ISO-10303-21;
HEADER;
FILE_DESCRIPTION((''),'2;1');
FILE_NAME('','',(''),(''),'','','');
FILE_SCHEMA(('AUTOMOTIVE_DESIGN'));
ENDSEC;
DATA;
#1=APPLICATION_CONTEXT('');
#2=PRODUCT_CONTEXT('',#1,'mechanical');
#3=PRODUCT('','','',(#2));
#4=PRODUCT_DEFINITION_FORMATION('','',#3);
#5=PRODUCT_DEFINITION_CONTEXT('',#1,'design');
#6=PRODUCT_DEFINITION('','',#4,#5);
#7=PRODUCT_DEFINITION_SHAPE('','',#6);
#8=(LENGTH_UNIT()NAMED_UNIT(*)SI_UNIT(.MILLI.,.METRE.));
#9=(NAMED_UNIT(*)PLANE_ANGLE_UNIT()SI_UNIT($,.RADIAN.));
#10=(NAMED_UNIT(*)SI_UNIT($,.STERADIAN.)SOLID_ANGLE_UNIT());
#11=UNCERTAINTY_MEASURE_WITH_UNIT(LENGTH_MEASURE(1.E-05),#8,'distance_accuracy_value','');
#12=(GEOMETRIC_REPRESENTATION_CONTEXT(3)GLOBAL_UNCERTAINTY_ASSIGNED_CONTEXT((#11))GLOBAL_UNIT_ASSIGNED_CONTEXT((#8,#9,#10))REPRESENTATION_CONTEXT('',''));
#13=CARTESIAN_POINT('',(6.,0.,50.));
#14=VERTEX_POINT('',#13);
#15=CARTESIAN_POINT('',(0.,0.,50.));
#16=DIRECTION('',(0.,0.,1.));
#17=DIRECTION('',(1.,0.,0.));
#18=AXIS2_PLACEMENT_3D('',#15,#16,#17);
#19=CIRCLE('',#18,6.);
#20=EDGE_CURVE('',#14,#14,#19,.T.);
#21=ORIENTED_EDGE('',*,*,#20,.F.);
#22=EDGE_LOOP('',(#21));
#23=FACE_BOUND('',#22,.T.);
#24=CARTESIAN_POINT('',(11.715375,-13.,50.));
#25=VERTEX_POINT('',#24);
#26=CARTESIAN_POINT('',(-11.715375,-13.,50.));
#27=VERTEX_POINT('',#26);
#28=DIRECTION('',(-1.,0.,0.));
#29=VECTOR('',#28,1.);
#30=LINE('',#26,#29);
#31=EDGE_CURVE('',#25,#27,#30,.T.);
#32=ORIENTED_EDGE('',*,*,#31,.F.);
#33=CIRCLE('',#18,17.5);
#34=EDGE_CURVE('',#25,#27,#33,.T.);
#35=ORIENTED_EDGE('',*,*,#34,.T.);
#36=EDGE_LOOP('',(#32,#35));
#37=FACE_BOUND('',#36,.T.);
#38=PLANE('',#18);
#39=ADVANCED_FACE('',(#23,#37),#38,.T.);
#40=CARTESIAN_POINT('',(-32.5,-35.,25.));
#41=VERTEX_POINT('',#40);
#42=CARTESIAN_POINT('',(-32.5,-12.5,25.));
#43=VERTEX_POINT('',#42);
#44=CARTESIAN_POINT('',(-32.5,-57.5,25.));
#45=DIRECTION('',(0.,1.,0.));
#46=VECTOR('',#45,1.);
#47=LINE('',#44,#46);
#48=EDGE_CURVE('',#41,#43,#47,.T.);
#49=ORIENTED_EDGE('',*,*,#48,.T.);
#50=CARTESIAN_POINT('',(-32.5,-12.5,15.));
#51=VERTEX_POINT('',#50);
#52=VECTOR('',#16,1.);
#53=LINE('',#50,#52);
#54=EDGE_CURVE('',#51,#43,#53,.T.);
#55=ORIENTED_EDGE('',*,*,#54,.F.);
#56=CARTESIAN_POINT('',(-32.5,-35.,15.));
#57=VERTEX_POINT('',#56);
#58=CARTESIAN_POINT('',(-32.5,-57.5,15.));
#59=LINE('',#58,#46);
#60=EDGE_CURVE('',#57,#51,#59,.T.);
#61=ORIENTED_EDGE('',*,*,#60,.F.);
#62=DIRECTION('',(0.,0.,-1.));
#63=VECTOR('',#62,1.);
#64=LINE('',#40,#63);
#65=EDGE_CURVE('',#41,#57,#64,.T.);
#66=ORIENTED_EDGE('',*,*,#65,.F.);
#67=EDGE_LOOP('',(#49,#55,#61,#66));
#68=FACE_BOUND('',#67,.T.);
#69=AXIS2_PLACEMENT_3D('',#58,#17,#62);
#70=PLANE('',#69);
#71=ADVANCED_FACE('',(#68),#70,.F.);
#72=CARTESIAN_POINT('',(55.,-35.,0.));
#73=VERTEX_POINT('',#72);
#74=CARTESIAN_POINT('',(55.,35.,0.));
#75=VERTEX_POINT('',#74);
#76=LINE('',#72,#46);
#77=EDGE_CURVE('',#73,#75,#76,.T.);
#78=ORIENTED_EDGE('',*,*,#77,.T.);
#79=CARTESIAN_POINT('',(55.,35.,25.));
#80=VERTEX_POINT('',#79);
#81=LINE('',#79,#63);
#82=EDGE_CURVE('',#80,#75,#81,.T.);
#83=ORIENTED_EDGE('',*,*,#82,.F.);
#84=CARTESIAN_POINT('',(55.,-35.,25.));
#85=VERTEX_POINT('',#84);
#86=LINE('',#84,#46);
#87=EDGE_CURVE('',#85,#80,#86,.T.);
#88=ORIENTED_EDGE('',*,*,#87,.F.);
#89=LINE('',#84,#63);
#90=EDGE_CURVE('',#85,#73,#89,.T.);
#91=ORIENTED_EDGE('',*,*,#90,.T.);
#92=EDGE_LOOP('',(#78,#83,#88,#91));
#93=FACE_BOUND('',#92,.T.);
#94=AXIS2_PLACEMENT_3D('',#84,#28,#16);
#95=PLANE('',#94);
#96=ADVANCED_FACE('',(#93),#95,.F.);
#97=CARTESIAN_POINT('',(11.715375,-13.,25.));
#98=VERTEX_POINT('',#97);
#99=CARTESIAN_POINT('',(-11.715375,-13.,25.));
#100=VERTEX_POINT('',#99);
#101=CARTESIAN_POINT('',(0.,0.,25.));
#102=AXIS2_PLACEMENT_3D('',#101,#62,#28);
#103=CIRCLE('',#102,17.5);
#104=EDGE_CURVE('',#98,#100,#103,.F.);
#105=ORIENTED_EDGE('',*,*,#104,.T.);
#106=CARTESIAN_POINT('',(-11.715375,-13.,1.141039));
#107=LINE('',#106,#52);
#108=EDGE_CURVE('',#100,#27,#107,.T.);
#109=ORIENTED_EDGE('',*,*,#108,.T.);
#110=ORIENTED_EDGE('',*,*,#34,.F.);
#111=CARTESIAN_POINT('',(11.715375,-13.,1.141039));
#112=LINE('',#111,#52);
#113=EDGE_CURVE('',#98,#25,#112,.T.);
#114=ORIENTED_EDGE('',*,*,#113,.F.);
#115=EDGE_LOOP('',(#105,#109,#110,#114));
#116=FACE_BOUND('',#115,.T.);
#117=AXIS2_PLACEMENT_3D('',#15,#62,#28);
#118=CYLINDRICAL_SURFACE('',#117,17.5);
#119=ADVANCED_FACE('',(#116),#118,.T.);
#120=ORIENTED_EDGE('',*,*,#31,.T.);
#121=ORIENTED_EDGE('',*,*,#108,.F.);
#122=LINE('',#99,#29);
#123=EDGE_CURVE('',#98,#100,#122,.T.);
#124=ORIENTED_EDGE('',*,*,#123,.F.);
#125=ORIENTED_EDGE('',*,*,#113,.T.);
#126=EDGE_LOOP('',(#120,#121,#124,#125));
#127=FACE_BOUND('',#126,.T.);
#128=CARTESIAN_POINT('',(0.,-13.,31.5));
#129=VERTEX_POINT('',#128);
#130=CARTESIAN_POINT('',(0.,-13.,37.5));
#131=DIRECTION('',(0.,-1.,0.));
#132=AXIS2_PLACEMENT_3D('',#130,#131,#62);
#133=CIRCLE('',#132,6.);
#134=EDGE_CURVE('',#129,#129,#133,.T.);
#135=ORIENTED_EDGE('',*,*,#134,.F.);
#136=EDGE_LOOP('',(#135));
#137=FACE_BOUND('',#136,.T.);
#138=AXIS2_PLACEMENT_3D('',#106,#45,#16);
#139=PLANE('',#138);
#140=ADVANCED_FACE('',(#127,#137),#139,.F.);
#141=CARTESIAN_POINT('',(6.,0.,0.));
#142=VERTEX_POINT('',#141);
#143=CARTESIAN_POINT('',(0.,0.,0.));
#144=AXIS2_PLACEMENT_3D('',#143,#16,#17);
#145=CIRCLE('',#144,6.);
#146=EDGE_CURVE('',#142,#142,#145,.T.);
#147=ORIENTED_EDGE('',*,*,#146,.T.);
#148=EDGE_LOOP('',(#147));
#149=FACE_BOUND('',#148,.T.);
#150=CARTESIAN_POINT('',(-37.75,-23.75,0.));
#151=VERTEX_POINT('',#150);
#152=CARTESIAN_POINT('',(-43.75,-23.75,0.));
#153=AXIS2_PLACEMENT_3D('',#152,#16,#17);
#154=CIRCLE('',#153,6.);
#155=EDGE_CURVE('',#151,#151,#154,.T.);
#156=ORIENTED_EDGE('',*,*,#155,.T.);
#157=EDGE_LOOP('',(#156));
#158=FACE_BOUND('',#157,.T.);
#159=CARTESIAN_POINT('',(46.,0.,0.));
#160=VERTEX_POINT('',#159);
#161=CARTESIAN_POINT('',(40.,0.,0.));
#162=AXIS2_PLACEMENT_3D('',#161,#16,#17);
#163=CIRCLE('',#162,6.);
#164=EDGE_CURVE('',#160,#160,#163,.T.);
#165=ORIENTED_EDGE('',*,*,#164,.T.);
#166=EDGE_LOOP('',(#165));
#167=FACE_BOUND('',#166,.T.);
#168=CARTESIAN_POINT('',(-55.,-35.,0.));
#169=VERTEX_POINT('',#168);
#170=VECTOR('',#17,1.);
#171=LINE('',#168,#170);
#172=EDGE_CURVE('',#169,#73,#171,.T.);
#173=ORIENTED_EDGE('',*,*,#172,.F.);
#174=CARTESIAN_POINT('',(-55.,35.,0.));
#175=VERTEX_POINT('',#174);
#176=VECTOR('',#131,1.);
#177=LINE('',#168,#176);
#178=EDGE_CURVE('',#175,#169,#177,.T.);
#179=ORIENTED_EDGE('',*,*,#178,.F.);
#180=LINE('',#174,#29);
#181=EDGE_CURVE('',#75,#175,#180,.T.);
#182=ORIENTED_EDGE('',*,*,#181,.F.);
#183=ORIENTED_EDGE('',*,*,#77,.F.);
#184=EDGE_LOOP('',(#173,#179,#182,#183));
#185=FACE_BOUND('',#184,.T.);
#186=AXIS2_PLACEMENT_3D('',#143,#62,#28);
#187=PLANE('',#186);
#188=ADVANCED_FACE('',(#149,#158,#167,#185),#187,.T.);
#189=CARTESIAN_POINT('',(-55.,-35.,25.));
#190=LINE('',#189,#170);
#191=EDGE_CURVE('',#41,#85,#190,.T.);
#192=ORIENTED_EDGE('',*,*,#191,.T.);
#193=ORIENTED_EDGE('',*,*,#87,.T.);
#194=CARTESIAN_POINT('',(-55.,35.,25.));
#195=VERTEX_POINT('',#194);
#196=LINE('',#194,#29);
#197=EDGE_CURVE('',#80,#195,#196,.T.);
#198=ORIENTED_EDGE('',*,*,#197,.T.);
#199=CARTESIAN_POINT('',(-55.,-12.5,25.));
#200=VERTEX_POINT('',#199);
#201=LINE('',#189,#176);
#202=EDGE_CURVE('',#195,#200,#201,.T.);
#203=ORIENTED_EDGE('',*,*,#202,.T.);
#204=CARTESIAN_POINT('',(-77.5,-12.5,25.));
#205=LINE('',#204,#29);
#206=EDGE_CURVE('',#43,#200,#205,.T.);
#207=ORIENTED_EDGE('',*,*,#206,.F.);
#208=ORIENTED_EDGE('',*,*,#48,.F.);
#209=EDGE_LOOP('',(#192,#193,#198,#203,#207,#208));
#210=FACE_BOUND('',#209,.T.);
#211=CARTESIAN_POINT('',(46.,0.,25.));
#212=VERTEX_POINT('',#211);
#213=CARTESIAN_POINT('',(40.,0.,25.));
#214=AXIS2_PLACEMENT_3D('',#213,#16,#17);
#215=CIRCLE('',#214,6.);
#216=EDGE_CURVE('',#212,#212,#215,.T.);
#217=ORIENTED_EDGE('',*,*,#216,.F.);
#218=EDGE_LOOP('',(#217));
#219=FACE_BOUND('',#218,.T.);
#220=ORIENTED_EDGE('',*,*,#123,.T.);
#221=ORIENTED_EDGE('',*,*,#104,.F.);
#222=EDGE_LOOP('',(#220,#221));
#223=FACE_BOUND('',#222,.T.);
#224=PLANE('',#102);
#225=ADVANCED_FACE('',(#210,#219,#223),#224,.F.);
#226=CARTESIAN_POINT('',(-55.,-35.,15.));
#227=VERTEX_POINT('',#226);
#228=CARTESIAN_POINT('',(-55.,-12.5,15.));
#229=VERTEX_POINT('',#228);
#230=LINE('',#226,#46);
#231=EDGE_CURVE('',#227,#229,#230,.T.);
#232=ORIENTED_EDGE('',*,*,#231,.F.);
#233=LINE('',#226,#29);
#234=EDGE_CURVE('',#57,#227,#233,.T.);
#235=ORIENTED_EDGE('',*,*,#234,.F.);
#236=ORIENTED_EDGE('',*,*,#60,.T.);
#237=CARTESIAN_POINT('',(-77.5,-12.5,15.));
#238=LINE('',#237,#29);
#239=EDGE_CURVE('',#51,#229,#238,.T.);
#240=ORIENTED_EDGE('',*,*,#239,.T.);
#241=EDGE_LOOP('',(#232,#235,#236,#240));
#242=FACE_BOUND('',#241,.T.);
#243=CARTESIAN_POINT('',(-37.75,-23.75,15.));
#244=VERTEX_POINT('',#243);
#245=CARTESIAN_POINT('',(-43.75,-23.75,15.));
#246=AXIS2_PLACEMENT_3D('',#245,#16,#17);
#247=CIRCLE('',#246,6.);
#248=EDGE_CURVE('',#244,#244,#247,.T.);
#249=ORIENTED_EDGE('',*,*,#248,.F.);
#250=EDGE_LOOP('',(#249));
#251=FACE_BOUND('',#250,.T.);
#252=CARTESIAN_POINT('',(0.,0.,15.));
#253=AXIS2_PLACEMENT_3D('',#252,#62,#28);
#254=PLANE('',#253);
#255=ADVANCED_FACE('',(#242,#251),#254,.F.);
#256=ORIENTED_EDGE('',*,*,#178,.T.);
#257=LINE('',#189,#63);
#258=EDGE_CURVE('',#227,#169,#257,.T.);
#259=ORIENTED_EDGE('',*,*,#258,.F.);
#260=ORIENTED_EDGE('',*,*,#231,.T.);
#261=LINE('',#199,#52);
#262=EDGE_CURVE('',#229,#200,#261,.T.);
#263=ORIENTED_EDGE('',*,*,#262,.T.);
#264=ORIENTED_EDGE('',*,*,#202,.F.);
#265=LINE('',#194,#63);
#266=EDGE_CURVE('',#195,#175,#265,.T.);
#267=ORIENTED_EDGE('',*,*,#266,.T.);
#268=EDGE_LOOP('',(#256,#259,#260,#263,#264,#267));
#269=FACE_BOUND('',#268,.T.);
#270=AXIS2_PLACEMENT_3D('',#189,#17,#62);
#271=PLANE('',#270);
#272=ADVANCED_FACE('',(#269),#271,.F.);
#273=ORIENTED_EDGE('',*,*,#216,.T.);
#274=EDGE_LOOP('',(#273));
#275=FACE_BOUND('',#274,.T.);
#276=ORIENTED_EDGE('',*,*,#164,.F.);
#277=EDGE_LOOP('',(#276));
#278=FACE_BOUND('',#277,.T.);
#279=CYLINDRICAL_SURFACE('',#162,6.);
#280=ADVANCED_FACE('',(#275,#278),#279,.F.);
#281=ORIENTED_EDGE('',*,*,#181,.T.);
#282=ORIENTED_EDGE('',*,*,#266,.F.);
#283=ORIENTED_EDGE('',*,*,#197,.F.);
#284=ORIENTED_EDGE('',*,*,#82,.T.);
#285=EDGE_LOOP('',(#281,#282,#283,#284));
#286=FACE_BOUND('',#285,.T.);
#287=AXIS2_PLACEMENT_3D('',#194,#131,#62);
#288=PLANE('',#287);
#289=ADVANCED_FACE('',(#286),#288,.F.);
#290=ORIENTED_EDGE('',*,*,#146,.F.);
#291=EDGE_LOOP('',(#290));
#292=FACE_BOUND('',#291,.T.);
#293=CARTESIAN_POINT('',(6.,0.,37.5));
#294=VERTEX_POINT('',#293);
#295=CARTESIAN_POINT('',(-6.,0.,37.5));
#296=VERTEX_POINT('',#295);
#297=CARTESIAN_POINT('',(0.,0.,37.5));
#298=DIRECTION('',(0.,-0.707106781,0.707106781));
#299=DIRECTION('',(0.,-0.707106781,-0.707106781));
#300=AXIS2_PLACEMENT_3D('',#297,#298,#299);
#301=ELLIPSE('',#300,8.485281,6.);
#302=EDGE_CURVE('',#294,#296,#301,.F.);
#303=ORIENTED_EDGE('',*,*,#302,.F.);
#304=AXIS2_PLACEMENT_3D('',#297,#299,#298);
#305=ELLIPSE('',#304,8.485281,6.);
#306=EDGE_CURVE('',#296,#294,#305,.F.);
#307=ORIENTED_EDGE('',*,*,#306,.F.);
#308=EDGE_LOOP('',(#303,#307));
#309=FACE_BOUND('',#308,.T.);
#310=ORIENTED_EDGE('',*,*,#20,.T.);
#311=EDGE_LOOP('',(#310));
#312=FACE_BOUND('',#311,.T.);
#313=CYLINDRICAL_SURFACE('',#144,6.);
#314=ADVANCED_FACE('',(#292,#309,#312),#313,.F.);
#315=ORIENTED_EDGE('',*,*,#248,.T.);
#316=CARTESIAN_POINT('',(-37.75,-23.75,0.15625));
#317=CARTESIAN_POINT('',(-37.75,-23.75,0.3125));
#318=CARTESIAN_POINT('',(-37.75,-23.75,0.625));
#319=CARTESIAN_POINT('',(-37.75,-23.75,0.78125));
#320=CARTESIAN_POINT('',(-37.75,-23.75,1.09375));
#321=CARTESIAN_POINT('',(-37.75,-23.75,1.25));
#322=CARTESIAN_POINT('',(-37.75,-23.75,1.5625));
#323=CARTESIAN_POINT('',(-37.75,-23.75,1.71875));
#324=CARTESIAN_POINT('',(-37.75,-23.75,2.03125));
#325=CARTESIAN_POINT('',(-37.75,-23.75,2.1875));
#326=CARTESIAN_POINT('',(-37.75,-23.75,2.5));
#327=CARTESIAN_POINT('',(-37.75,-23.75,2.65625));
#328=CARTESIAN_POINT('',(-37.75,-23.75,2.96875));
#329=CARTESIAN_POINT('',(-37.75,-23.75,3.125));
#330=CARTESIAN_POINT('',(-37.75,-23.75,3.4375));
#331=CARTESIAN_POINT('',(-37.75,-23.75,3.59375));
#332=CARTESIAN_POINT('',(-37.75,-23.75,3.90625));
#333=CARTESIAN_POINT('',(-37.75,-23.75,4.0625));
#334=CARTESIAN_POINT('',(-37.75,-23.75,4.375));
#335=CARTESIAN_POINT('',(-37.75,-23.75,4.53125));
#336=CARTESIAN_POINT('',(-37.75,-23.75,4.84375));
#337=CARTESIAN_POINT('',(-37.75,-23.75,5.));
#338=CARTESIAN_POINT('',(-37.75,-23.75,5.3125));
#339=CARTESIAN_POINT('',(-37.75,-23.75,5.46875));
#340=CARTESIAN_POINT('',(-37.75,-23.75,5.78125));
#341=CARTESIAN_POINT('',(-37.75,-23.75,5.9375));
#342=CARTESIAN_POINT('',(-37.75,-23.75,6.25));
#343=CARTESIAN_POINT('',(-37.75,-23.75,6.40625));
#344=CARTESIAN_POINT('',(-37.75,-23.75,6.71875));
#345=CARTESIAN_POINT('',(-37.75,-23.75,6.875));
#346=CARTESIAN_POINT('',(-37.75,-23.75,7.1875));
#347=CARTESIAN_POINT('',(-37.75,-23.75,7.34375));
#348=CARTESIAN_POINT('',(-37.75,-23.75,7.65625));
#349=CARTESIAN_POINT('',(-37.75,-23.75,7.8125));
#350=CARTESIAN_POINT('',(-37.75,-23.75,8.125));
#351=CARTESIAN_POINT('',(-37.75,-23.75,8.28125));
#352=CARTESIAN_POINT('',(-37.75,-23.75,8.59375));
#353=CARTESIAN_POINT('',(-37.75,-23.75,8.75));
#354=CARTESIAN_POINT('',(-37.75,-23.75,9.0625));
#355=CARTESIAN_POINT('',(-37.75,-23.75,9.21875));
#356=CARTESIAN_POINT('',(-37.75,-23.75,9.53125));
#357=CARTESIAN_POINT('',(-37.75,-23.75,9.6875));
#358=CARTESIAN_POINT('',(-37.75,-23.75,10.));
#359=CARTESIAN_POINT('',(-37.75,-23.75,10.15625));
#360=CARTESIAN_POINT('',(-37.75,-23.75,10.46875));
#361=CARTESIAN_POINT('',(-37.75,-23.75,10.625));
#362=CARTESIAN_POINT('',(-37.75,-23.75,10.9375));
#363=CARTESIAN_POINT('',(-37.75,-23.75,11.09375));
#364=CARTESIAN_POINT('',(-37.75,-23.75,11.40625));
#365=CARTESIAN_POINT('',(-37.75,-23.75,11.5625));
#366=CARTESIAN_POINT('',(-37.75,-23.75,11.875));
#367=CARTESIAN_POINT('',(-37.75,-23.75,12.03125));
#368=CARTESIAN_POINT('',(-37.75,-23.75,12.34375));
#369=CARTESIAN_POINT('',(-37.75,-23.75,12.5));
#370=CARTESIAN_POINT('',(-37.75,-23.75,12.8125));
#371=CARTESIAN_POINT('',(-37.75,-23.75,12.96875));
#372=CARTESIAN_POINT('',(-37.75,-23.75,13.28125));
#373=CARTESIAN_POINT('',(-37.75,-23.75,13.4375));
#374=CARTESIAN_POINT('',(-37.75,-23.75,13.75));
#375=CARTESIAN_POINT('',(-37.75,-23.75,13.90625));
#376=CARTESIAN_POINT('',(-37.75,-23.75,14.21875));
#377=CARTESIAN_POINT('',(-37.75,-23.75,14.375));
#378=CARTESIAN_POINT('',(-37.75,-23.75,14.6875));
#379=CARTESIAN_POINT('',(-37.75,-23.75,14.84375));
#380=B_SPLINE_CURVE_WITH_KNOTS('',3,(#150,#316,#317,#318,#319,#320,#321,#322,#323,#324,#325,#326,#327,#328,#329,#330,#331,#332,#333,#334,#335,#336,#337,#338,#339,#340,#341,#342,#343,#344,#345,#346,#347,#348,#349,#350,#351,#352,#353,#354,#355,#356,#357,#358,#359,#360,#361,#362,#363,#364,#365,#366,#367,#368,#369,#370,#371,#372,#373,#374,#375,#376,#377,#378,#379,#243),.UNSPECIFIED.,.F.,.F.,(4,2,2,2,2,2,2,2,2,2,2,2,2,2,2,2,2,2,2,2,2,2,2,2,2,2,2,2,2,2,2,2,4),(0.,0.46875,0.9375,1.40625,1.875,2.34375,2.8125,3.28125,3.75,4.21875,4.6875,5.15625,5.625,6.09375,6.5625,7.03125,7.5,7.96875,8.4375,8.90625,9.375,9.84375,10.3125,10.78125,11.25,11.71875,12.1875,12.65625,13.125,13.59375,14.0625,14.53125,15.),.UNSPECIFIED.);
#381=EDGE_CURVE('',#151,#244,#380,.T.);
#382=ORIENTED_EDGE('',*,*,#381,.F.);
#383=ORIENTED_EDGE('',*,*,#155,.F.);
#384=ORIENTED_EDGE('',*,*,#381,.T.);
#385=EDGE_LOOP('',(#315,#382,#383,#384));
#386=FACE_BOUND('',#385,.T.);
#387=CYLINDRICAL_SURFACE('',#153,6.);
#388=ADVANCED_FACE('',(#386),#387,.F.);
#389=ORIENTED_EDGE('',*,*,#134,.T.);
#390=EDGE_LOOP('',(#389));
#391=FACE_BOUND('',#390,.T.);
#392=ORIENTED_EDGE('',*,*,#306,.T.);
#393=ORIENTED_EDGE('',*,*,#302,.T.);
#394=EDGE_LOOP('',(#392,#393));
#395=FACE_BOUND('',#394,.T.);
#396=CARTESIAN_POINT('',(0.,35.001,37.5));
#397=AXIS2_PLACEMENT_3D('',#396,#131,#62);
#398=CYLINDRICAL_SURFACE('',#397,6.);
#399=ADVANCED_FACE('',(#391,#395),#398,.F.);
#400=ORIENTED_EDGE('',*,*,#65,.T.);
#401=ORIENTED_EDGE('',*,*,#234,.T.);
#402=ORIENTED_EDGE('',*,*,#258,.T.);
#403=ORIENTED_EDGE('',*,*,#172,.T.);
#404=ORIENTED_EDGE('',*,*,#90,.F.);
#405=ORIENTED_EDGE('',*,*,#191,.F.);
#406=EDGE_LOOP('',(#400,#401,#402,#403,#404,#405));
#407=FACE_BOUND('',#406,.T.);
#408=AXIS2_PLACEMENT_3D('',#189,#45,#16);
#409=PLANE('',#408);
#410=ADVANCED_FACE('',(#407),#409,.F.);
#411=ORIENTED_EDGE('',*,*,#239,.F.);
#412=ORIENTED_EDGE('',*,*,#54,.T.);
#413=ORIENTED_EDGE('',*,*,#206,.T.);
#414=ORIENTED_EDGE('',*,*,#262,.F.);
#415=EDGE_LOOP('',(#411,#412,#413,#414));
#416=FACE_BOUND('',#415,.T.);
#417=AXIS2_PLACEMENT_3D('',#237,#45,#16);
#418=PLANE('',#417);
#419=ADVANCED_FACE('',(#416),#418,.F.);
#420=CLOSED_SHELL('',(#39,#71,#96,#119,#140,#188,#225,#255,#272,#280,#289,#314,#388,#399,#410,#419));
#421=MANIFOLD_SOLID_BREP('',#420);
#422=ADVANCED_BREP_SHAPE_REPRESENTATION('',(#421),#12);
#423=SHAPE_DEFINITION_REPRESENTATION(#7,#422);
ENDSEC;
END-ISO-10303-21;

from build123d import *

# Parameters (mm, degrees)
SKETCH_1_W               = 110
SKETCH_1_H               = 70
EXTRUDE_1_DEPTH          = 25
SKETCH_2_R               = 17.5
EXTRUDE_2_DEPTH          = 25
SKETCH_3_R               = 6
CUT_EXTRUDE_1_DEPTH      = 83.158383626
SKETCH_5_W               = 45
SKETCH_5_H               = 45
CUT_EXTRUDE_3_DEPTH      = 10
SKETCH_6_R               = 6
CUT_EXTRUDE_4_DEPTH      = 74.993242935
SKETCH_7_R               = 6
CUT_EXTRUDE_5_DEPTH      = 70.821200219
CUT_EXTRUDE_START        = -25
CUT_EXTRUDE_6_DEPTH      = 25
CUT_EXTRUDE_7_REACH      = 90.482
CUT_EXTRUDE_7_END_RADIUS = 6
SKETCH_9_R               = 6


with BuildPart() as part:
    # Эскиз1 → Бобышка-Вытянуть1 (new body)
    with BuildSketch(Plane.XY):
        Rectangle(SKETCH_1_W, SKETCH_1_H)
    extrude(amount=EXTRUDE_1_DEPTH)

    # Эскиз2 → Бобышка-Вытянуть2 (add)
    with BuildSketch(Plane.XY.offset(25)):
        with Locations(Location((0, 0, 0), (0, 0, 180))):
            Circle(SKETCH_2_R)
    extrude(amount=EXTRUDE_2_DEPTH)

    # Эскиз3 → Вырез-Вытянуть1 (cut, through all)
    with BuildSketch(Plane.XY.offset(50)):
        Circle(SKETCH_3_R)
    extrude(amount=-CUT_EXTRUDE_1_DEPTH, mode=Mode.SUBTRACT)

    # Эскиз5 → Вырез-Вытянуть3 (cut)
    with BuildSketch(Plane.XY.offset(25)):
        with Locations((-55, -35)):
            Rectangle(SKETCH_5_W, SKETCH_5_H)
    extrude(amount=-CUT_EXTRUDE_3_DEPTH, mode=Mode.SUBTRACT)

    # Эскиз6 → Вырез-Вытянуть4 (cut, through all)
    with BuildSketch(Plane.XY.offset(15)):
        with Locations((-43.75, -23.75)):
            Circle(SKETCH_6_R)
    extrude(amount=-CUT_EXTRUDE_4_DEPTH, mode=Mode.SUBTRACT)

    # Эскиз7 → Вырез-Вытянуть5 (cut, through all)
    with BuildSketch(Plane.XY.offset(25)):
        with Locations((40, 0)):
            Circle(SKETCH_7_R)
    extrude(amount=-CUT_EXTRUDE_5_DEPTH, mode=Mode.SUBTRACT)

    # Эскиз8 → Вырез-Вытянуть6 (cut)
    with BuildSketch(Plane.XY.offset(50).offset(CUT_EXTRUDE_START)):
        with BuildLine():
            Line((-11.715374514, -13), (11.715374514, -13))
            ThreePointArc((11.715374514, -13), (0, -17.5), (-11.715374514, -13))
        make_face()
    extrude(amount=CUT_EXTRUDE_6_DEPTH, mode=Mode.SUBTRACT)

    # Вырез-Вытянуть7: up to this cylinder (the profile starts outside it)
    cut_extrude_7_end = Plane(origin=(0, 0, 37.5), z_dir=(0, 0, 1)) * Cylinder(CUT_EXTRUDE_7_END_RADIUS, 193.964, mode=Mode.PRIVATE)
    # Эскиз9 → Вырез-Вытянуть7 (cut, up to the surface)
    with BuildSketch(Plane.XZ.offset(13), mode=Mode.PRIVATE) as cut_extrude_7_sk1:
        with Locations(Location((0, 37.5, 0), (0, 0, 270))):
            Circle(SKETCH_9_R)
    cut_extrude_7_tool1 = extrude(cut_extrude_7_sk1.sketch, amount=-CUT_EXTRUDE_7_REACH, mode=Mode.PRIVATE) - cut_extrude_7_end
    add(cut_extrude_7_tool1.solids().sort_by_distance((0, -13, 37.5))[0], mode=Mode.SUBTRACT)


solid = part.part
